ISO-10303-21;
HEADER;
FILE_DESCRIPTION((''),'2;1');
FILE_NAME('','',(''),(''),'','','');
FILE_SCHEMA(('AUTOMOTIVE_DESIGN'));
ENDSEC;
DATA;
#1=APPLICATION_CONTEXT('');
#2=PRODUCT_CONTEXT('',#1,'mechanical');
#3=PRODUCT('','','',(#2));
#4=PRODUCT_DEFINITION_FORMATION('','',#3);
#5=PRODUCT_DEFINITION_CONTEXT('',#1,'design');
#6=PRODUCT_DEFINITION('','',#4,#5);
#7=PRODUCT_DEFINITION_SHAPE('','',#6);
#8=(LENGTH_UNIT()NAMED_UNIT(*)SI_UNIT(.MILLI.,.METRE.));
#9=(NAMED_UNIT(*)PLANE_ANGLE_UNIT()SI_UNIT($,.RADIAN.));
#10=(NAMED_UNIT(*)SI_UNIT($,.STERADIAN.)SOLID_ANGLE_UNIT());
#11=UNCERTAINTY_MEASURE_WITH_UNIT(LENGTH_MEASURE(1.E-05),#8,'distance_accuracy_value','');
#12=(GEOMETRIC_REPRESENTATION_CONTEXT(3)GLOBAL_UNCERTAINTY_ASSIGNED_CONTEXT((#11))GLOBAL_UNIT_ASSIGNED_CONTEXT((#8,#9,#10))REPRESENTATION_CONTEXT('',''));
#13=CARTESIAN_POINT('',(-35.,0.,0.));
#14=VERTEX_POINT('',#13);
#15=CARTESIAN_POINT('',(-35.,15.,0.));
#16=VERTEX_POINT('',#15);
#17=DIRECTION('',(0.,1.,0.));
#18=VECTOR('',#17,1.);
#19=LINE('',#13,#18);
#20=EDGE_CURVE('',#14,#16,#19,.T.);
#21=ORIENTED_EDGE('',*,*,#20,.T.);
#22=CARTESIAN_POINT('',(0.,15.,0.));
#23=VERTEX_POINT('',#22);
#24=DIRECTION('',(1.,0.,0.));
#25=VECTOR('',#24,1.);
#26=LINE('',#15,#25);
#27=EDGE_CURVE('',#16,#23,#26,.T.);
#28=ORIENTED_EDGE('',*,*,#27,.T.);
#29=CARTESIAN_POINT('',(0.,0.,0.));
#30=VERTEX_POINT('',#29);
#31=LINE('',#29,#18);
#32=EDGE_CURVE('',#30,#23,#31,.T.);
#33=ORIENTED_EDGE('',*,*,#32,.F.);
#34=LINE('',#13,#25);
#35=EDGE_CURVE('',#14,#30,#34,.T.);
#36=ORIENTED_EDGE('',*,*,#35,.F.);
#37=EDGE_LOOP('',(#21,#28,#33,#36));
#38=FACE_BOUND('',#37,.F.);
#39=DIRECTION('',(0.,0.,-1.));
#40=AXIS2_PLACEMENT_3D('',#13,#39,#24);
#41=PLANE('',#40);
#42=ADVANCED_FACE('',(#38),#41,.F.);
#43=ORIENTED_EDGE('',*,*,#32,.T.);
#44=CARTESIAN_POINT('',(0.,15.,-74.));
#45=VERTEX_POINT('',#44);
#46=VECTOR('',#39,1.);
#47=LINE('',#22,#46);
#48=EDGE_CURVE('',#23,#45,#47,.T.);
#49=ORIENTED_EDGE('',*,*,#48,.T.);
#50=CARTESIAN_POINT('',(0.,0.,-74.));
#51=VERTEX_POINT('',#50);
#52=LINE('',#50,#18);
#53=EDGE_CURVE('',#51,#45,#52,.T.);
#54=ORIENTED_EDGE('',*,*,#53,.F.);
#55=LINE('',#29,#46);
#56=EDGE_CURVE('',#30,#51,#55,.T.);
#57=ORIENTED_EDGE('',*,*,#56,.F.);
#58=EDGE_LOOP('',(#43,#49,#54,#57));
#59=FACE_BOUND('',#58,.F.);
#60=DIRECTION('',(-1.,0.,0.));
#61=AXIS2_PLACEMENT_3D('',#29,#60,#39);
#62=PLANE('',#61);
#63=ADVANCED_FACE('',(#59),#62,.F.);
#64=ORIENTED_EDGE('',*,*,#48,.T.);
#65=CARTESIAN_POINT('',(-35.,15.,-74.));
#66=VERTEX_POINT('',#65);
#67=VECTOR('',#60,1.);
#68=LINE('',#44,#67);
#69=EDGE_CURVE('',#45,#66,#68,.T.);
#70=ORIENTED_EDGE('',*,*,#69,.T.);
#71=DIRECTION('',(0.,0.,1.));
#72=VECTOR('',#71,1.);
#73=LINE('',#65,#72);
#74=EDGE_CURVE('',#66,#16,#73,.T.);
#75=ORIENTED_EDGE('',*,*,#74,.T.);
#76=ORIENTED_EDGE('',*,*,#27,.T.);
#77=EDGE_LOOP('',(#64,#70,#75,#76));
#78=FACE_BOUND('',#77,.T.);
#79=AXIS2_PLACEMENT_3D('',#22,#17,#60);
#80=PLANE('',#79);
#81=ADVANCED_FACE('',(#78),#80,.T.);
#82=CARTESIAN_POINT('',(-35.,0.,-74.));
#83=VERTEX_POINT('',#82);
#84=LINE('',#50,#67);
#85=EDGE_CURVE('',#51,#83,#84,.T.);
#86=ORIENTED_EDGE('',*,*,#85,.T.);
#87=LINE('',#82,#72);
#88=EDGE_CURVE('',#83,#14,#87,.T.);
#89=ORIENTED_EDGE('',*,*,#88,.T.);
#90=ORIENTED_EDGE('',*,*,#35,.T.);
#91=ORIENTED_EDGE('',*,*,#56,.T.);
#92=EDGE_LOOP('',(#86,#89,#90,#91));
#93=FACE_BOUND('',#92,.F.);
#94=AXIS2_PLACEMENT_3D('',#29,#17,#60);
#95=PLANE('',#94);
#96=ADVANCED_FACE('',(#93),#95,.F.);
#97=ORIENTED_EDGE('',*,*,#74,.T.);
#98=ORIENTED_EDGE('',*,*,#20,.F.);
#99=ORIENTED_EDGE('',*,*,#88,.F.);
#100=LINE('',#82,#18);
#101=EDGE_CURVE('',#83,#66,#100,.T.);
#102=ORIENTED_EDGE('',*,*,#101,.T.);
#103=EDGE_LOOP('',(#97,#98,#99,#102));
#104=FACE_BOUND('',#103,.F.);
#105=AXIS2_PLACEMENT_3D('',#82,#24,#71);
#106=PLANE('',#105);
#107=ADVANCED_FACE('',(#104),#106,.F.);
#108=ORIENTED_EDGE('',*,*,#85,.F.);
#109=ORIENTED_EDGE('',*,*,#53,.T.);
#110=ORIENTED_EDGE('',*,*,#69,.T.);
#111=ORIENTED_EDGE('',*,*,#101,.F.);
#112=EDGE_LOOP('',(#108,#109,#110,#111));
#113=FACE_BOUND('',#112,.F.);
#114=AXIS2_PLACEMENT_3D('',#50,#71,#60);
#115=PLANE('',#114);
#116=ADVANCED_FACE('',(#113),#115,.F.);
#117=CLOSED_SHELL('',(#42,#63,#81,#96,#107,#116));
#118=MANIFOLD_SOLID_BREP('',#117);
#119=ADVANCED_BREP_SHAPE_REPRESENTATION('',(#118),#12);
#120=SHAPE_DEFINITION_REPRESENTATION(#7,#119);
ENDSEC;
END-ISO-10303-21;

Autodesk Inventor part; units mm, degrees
ref_plane "YZ Plane" through (0, 0, 0) normal (1, 0, 0) x (0, 1, 0)
ref_plane "XZ Plane" through (0, 0, 0) normal (0, 1, 0) x (-1, 0, 0)
ref_plane "XY Plane" through (0, 0, 0) normal (0, 0, 1) x (1, 0, 0)
sketch "スケッチ1" plane through (0, 0, 0) normal (0, 1, 0) x (-1, 0, 0)
  line L0 (35, 0) -> (0, 0)
  line L1 (0, 0) -> (0, -74)
  line L2 (0, -74) -> (35, -74)
  line L3 (35, -74) -> (35, 0)
  dimension "d0" = 35
  dimension "d1" = 74
extrude "押し出し1" add sketch "スケッチ1" along normal blind 15
properties part number "battely"
